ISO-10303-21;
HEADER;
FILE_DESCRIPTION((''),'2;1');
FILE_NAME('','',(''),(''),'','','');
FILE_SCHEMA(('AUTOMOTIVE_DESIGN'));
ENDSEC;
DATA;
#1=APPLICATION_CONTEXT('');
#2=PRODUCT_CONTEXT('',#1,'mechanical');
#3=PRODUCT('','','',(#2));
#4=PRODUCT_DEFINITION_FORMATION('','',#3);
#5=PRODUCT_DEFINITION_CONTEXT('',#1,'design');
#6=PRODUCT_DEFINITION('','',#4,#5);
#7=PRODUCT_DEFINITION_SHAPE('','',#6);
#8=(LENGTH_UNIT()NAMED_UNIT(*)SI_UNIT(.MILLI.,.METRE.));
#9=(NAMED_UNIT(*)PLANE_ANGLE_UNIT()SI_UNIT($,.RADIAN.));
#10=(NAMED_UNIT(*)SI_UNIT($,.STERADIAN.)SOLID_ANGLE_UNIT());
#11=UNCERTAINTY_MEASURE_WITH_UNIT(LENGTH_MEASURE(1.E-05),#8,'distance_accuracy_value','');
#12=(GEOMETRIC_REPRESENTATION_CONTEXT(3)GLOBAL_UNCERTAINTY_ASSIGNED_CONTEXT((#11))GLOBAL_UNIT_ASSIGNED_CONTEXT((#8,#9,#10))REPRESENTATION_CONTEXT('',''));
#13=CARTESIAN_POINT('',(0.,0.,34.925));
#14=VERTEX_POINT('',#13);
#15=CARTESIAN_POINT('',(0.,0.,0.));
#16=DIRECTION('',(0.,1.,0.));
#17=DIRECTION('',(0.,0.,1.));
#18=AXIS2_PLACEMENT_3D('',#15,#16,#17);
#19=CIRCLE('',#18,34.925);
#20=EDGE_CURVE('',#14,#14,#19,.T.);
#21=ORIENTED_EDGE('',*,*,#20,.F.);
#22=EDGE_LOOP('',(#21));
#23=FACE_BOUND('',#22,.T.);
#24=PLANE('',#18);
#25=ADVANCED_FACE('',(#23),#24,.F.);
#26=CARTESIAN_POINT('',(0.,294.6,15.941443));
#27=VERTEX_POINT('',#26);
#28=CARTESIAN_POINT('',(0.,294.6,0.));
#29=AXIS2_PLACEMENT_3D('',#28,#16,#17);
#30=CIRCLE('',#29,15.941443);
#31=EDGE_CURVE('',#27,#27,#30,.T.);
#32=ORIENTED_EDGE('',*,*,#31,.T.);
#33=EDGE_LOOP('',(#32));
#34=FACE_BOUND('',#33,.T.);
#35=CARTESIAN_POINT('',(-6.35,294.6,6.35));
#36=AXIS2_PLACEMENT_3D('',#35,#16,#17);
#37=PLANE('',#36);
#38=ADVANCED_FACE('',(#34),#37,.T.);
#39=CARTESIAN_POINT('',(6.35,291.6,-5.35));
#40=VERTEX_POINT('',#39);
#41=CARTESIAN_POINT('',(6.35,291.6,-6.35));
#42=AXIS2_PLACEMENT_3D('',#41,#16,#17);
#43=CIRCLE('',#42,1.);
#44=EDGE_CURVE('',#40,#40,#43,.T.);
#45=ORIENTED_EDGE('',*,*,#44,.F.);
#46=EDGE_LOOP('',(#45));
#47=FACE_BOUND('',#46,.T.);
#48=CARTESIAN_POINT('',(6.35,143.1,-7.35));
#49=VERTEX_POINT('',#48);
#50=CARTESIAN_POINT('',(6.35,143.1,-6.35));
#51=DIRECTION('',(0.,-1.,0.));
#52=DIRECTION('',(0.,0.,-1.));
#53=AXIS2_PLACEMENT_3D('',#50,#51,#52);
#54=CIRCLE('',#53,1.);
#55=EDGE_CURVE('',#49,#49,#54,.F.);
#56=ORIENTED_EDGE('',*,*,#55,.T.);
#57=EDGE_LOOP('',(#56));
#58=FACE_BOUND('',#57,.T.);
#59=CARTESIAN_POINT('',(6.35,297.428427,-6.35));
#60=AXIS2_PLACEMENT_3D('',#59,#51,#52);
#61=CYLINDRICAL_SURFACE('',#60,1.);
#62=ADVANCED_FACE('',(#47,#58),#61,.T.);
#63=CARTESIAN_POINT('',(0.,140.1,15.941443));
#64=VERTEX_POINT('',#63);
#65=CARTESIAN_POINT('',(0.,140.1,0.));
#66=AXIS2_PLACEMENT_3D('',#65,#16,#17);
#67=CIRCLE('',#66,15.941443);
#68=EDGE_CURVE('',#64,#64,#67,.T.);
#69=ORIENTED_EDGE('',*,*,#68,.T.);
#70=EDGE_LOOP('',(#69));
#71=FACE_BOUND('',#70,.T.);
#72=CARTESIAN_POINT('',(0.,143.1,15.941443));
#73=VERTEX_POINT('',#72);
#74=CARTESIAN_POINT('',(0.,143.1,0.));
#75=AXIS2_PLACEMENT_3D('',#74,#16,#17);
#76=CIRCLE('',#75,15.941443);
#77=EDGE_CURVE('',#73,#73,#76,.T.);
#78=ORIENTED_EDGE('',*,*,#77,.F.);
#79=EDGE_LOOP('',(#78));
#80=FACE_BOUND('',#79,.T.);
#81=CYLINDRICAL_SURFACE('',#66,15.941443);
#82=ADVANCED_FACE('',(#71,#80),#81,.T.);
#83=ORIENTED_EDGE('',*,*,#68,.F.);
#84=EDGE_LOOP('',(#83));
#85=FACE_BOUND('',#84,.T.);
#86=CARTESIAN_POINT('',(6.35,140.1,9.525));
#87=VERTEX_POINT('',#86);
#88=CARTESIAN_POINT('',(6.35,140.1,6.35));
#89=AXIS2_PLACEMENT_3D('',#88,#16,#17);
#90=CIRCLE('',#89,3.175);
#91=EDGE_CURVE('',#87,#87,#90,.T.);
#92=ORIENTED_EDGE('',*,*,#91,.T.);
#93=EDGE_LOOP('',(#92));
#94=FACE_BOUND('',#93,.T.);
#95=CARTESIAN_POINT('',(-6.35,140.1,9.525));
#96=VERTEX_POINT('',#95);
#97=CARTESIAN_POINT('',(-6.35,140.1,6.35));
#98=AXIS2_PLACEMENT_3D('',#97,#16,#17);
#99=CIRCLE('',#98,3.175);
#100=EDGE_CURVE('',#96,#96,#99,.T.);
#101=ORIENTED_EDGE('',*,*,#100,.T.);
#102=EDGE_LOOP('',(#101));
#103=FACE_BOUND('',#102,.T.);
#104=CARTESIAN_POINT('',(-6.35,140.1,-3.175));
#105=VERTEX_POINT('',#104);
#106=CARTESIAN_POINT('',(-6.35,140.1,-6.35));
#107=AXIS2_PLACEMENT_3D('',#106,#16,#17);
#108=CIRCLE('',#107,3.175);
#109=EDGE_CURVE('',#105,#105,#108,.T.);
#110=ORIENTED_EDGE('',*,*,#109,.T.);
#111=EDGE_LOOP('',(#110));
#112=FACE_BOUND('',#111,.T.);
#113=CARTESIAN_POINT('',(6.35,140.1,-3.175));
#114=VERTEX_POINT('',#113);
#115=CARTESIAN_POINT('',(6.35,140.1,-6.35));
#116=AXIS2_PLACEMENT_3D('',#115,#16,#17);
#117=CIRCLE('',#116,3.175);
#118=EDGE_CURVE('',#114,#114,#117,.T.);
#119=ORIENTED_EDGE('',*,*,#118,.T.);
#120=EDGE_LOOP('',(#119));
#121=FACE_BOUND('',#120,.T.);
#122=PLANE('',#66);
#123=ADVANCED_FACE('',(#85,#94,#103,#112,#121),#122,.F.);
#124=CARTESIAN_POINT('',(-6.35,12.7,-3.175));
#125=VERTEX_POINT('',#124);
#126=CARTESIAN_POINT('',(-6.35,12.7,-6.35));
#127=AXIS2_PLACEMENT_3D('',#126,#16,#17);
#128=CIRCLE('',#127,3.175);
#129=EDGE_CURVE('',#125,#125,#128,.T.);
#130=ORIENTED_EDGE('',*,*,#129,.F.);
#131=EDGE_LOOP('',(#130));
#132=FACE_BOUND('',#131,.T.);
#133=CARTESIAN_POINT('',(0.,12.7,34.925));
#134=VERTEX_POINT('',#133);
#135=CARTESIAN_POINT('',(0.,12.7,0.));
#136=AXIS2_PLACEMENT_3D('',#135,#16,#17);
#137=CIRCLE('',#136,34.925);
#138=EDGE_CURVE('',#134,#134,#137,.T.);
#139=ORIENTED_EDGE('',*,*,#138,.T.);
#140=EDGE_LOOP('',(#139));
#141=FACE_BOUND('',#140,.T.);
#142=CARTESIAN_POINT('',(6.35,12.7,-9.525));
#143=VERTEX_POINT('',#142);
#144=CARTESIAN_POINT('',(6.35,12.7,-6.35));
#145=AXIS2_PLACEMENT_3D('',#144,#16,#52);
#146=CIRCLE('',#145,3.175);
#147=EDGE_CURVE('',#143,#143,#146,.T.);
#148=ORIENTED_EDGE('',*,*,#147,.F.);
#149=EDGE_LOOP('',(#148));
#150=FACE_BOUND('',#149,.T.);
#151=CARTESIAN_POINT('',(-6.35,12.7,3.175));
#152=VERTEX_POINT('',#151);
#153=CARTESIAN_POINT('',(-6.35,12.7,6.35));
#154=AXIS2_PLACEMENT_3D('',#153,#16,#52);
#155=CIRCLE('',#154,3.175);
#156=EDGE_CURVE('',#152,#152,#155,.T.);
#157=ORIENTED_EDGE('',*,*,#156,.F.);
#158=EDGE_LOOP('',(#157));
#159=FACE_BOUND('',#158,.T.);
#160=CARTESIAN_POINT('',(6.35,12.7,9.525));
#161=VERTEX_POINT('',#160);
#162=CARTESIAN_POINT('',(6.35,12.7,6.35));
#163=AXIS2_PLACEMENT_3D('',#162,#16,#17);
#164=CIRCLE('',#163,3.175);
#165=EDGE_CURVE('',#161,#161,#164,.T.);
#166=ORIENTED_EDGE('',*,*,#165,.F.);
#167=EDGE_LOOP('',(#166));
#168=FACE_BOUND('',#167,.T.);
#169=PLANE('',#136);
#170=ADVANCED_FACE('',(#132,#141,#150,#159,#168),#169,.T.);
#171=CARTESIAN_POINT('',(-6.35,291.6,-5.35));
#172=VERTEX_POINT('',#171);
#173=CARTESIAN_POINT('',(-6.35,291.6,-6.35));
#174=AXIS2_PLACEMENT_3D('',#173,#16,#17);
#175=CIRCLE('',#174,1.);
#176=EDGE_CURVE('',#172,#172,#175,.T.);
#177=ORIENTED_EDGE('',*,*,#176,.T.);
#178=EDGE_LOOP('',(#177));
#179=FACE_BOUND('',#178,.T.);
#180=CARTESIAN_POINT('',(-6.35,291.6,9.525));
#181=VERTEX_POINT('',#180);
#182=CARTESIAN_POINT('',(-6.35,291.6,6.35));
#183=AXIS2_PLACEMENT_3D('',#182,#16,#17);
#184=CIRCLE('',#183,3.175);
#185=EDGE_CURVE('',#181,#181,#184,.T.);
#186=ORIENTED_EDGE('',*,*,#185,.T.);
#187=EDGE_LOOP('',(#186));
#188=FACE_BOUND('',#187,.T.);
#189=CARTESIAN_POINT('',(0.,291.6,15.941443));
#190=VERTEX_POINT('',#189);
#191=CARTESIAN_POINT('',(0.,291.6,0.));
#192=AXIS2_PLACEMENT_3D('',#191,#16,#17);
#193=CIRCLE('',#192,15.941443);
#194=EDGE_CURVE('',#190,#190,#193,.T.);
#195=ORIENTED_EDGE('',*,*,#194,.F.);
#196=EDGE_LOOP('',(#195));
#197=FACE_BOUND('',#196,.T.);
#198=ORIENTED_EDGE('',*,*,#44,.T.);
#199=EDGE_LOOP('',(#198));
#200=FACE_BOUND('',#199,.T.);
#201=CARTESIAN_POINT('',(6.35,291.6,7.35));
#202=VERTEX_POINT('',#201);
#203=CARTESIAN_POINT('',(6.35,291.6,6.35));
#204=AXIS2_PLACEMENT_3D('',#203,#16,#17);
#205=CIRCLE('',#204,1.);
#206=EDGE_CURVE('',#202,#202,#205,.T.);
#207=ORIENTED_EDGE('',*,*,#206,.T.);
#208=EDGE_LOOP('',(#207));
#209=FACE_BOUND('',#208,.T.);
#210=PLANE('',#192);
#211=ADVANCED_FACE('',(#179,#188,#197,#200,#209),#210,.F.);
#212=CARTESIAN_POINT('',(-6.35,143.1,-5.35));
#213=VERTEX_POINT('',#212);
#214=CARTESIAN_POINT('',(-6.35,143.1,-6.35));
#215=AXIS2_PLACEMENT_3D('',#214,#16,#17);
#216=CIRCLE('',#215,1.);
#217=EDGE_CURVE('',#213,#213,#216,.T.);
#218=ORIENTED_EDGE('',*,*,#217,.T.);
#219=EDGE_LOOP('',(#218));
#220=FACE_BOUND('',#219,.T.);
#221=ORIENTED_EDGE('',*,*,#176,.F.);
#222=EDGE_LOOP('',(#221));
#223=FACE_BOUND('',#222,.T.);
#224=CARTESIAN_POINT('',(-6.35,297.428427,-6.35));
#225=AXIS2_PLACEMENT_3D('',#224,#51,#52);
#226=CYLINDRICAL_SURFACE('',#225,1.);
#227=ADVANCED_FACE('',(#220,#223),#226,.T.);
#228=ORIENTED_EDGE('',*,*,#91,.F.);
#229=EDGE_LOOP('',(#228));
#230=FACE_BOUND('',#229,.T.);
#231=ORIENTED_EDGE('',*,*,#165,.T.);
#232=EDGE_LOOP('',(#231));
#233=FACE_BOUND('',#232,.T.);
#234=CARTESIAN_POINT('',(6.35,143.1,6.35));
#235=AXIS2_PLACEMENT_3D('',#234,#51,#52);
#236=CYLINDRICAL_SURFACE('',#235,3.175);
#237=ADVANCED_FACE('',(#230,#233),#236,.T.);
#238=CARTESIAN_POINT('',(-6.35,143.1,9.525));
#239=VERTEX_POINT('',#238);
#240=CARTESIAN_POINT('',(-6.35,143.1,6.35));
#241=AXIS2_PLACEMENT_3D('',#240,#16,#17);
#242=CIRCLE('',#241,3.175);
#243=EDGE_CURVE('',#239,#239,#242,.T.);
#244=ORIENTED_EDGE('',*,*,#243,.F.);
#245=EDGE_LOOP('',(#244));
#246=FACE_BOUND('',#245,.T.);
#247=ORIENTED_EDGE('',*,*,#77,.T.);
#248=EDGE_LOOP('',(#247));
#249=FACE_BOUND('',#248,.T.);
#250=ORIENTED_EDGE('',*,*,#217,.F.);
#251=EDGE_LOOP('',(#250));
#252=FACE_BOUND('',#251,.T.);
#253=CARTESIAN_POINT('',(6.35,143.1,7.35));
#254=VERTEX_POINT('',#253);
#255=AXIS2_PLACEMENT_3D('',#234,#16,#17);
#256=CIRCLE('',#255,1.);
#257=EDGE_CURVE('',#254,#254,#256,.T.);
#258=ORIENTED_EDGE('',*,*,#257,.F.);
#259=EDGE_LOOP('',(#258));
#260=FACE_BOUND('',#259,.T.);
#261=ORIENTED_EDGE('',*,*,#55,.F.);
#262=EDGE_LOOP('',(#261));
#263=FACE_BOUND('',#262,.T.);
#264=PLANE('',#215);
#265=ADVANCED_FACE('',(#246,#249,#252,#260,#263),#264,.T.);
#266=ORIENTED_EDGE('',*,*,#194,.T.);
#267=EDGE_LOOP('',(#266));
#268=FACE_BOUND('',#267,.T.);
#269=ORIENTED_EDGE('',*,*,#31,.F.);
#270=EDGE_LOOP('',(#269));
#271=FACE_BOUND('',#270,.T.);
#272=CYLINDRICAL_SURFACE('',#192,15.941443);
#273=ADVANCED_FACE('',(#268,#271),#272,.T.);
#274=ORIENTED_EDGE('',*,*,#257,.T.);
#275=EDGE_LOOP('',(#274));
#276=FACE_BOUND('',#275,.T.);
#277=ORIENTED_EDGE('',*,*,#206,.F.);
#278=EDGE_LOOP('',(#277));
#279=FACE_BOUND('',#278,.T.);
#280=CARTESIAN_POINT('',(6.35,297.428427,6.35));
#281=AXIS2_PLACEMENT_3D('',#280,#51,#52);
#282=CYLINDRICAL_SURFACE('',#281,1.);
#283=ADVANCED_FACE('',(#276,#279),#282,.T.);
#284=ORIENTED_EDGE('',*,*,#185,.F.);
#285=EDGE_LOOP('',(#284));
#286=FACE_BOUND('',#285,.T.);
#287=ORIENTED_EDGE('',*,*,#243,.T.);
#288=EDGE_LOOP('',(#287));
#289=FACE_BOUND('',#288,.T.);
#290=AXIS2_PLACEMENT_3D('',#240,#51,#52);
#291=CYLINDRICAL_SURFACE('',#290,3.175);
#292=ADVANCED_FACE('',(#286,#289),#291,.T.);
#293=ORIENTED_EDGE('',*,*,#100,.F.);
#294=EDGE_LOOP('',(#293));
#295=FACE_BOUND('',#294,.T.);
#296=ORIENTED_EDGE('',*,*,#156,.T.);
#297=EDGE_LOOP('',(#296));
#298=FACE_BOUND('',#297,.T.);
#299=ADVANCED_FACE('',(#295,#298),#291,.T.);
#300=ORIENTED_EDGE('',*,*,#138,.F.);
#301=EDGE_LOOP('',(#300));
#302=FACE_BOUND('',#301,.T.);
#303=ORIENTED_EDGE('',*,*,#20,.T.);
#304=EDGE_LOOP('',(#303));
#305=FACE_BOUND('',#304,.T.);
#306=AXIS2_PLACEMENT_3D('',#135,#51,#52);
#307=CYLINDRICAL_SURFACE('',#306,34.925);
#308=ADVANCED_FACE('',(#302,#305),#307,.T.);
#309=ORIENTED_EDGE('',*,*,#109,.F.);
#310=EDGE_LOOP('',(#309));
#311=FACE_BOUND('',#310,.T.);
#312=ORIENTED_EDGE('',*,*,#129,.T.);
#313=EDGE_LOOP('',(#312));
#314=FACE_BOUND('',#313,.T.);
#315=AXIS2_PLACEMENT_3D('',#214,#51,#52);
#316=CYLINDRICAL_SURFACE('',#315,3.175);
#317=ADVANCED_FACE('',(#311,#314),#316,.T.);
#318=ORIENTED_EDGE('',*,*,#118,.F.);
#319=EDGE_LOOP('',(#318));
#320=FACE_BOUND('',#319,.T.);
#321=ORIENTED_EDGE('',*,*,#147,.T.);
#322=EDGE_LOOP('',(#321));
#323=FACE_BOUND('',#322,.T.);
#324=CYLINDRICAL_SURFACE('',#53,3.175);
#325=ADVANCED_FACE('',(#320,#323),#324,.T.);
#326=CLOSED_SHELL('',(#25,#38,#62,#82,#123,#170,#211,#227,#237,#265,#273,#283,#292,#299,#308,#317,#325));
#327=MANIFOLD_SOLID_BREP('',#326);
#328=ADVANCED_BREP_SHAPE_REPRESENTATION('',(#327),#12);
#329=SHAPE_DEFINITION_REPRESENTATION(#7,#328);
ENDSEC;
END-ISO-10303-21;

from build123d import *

# Parameters (mm, degrees)
SKETCH1_R           = 34.925
BOSS_EXTRUDE1_DEPTH = 12.7
SKETCH2_R           = 3.175
BOSS_EXTRUDE2_DEPTH = 130.4
SKETCH3_R           = 3.175
BOSS_EXTRUDE3_DEPTH = 151.5
SKETCH4_R           = 1
BOSS_EXTRUDE4_DEPTH = 151.5
SKETCH5_R           = 15.941442814
BOSS_EXTRUDE5_DEPTH = 3
SKETCH6_R           = 15.941442814
BOSS_EXTRUDE6_DEPTH = 3


with BuildPart() as part:
    # Sketch1 → Boss-Extrude1 (new body)
    with BuildSketch(Plane(origin=(0, 0, 0), x_dir=(1, 0, 0), z_dir=(0, 1, 0))):
        with Locations(Location((0, 0, 0), (0, 0, 270))):
            Circle(SKETCH1_R)
    extrude(amount=BOSS_EXTRUDE1_DEPTH)

    # Sketch2 → Boss-Extrude2 (add)
    with BuildSketch(Plane(origin=(0, 12.7, 0), x_dir=(1, 0, 0), z_dir=(0, 1, 0))):
        with Locations(Location((-6.35, 6.35, 0), (0, 0, 270))):
            Circle(SKETCH2_R)
        with Locations(Location((6.35, 6.35, 0), (0, 0, 90))):
            Circle(SKETCH2_R)
        with Locations(Location((6.35, -6.35, 0), (0, 0, 270))):
            Circle(SKETCH2_R)
        with Locations(Location((-6.35, -6.35, 0), (0, 0, 90))):
            Circle(SKETCH2_R)
    extrude(amount=BOSS_EXTRUDE2_DEPTH)

    # Sketch3 → Boss-Extrude3 (add)
    with BuildSketch(Plane(origin=(0, 143.1, 0), x_dir=(1, 0, 0), z_dir=(0, 1, 0))):
        with Locations(Location((-6.35, -6.35, 0), (0, 0, 90))):
            Circle(SKETCH3_R)
    extrude(amount=BOSS_EXTRUDE3_DEPTH)

    # Sketch4 → Boss-Extrude4 (add)
    with BuildSketch(Plane(origin=(0, 143.1, 0), x_dir=(1, 0, 0), z_dir=(0, 1, 0))):
        with Locations(Location((-6.35, 6.35, 0), (0, 0, 270))):
            Circle(SKETCH4_R)
        with Locations(Location((6.35, 6.35, 0), (0, 0, 90))):
            Circle(SKETCH4_R)
        with Locations(Location((6.35, -6.35, 0), (0, 0, 270))):
            Circle(SKETCH4_R)
    extrude(amount=BOSS_EXTRUDE4_DEPTH)

    # Sketch5 → Boss-Extrude5 (add)
    with BuildSketch(Plane(origin=(0, 143.1, 0), x_dir=(1, 0, 0), z_dir=(0, 1, 0))):
        with Locations(Location((0, 0, 0), (0, 0, 270))):
            Circle(SKETCH5_R)
    extrude(amount=-BOSS_EXTRUDE5_DEPTH)

    # Sketch6 → Boss-Extrude6 (add)
    with BuildSketch(Plane(origin=(0, 294.6, 0), x_dir=(1, 0, 0), z_dir=(0, 1, 0))):
        with Locations(Location((0, 0, 0), (0, 0, 270))):
            Circle(SKETCH6_R)
    extrude(amount=-BOSS_EXTRUDE6_DEPTH)


solid = part.part
